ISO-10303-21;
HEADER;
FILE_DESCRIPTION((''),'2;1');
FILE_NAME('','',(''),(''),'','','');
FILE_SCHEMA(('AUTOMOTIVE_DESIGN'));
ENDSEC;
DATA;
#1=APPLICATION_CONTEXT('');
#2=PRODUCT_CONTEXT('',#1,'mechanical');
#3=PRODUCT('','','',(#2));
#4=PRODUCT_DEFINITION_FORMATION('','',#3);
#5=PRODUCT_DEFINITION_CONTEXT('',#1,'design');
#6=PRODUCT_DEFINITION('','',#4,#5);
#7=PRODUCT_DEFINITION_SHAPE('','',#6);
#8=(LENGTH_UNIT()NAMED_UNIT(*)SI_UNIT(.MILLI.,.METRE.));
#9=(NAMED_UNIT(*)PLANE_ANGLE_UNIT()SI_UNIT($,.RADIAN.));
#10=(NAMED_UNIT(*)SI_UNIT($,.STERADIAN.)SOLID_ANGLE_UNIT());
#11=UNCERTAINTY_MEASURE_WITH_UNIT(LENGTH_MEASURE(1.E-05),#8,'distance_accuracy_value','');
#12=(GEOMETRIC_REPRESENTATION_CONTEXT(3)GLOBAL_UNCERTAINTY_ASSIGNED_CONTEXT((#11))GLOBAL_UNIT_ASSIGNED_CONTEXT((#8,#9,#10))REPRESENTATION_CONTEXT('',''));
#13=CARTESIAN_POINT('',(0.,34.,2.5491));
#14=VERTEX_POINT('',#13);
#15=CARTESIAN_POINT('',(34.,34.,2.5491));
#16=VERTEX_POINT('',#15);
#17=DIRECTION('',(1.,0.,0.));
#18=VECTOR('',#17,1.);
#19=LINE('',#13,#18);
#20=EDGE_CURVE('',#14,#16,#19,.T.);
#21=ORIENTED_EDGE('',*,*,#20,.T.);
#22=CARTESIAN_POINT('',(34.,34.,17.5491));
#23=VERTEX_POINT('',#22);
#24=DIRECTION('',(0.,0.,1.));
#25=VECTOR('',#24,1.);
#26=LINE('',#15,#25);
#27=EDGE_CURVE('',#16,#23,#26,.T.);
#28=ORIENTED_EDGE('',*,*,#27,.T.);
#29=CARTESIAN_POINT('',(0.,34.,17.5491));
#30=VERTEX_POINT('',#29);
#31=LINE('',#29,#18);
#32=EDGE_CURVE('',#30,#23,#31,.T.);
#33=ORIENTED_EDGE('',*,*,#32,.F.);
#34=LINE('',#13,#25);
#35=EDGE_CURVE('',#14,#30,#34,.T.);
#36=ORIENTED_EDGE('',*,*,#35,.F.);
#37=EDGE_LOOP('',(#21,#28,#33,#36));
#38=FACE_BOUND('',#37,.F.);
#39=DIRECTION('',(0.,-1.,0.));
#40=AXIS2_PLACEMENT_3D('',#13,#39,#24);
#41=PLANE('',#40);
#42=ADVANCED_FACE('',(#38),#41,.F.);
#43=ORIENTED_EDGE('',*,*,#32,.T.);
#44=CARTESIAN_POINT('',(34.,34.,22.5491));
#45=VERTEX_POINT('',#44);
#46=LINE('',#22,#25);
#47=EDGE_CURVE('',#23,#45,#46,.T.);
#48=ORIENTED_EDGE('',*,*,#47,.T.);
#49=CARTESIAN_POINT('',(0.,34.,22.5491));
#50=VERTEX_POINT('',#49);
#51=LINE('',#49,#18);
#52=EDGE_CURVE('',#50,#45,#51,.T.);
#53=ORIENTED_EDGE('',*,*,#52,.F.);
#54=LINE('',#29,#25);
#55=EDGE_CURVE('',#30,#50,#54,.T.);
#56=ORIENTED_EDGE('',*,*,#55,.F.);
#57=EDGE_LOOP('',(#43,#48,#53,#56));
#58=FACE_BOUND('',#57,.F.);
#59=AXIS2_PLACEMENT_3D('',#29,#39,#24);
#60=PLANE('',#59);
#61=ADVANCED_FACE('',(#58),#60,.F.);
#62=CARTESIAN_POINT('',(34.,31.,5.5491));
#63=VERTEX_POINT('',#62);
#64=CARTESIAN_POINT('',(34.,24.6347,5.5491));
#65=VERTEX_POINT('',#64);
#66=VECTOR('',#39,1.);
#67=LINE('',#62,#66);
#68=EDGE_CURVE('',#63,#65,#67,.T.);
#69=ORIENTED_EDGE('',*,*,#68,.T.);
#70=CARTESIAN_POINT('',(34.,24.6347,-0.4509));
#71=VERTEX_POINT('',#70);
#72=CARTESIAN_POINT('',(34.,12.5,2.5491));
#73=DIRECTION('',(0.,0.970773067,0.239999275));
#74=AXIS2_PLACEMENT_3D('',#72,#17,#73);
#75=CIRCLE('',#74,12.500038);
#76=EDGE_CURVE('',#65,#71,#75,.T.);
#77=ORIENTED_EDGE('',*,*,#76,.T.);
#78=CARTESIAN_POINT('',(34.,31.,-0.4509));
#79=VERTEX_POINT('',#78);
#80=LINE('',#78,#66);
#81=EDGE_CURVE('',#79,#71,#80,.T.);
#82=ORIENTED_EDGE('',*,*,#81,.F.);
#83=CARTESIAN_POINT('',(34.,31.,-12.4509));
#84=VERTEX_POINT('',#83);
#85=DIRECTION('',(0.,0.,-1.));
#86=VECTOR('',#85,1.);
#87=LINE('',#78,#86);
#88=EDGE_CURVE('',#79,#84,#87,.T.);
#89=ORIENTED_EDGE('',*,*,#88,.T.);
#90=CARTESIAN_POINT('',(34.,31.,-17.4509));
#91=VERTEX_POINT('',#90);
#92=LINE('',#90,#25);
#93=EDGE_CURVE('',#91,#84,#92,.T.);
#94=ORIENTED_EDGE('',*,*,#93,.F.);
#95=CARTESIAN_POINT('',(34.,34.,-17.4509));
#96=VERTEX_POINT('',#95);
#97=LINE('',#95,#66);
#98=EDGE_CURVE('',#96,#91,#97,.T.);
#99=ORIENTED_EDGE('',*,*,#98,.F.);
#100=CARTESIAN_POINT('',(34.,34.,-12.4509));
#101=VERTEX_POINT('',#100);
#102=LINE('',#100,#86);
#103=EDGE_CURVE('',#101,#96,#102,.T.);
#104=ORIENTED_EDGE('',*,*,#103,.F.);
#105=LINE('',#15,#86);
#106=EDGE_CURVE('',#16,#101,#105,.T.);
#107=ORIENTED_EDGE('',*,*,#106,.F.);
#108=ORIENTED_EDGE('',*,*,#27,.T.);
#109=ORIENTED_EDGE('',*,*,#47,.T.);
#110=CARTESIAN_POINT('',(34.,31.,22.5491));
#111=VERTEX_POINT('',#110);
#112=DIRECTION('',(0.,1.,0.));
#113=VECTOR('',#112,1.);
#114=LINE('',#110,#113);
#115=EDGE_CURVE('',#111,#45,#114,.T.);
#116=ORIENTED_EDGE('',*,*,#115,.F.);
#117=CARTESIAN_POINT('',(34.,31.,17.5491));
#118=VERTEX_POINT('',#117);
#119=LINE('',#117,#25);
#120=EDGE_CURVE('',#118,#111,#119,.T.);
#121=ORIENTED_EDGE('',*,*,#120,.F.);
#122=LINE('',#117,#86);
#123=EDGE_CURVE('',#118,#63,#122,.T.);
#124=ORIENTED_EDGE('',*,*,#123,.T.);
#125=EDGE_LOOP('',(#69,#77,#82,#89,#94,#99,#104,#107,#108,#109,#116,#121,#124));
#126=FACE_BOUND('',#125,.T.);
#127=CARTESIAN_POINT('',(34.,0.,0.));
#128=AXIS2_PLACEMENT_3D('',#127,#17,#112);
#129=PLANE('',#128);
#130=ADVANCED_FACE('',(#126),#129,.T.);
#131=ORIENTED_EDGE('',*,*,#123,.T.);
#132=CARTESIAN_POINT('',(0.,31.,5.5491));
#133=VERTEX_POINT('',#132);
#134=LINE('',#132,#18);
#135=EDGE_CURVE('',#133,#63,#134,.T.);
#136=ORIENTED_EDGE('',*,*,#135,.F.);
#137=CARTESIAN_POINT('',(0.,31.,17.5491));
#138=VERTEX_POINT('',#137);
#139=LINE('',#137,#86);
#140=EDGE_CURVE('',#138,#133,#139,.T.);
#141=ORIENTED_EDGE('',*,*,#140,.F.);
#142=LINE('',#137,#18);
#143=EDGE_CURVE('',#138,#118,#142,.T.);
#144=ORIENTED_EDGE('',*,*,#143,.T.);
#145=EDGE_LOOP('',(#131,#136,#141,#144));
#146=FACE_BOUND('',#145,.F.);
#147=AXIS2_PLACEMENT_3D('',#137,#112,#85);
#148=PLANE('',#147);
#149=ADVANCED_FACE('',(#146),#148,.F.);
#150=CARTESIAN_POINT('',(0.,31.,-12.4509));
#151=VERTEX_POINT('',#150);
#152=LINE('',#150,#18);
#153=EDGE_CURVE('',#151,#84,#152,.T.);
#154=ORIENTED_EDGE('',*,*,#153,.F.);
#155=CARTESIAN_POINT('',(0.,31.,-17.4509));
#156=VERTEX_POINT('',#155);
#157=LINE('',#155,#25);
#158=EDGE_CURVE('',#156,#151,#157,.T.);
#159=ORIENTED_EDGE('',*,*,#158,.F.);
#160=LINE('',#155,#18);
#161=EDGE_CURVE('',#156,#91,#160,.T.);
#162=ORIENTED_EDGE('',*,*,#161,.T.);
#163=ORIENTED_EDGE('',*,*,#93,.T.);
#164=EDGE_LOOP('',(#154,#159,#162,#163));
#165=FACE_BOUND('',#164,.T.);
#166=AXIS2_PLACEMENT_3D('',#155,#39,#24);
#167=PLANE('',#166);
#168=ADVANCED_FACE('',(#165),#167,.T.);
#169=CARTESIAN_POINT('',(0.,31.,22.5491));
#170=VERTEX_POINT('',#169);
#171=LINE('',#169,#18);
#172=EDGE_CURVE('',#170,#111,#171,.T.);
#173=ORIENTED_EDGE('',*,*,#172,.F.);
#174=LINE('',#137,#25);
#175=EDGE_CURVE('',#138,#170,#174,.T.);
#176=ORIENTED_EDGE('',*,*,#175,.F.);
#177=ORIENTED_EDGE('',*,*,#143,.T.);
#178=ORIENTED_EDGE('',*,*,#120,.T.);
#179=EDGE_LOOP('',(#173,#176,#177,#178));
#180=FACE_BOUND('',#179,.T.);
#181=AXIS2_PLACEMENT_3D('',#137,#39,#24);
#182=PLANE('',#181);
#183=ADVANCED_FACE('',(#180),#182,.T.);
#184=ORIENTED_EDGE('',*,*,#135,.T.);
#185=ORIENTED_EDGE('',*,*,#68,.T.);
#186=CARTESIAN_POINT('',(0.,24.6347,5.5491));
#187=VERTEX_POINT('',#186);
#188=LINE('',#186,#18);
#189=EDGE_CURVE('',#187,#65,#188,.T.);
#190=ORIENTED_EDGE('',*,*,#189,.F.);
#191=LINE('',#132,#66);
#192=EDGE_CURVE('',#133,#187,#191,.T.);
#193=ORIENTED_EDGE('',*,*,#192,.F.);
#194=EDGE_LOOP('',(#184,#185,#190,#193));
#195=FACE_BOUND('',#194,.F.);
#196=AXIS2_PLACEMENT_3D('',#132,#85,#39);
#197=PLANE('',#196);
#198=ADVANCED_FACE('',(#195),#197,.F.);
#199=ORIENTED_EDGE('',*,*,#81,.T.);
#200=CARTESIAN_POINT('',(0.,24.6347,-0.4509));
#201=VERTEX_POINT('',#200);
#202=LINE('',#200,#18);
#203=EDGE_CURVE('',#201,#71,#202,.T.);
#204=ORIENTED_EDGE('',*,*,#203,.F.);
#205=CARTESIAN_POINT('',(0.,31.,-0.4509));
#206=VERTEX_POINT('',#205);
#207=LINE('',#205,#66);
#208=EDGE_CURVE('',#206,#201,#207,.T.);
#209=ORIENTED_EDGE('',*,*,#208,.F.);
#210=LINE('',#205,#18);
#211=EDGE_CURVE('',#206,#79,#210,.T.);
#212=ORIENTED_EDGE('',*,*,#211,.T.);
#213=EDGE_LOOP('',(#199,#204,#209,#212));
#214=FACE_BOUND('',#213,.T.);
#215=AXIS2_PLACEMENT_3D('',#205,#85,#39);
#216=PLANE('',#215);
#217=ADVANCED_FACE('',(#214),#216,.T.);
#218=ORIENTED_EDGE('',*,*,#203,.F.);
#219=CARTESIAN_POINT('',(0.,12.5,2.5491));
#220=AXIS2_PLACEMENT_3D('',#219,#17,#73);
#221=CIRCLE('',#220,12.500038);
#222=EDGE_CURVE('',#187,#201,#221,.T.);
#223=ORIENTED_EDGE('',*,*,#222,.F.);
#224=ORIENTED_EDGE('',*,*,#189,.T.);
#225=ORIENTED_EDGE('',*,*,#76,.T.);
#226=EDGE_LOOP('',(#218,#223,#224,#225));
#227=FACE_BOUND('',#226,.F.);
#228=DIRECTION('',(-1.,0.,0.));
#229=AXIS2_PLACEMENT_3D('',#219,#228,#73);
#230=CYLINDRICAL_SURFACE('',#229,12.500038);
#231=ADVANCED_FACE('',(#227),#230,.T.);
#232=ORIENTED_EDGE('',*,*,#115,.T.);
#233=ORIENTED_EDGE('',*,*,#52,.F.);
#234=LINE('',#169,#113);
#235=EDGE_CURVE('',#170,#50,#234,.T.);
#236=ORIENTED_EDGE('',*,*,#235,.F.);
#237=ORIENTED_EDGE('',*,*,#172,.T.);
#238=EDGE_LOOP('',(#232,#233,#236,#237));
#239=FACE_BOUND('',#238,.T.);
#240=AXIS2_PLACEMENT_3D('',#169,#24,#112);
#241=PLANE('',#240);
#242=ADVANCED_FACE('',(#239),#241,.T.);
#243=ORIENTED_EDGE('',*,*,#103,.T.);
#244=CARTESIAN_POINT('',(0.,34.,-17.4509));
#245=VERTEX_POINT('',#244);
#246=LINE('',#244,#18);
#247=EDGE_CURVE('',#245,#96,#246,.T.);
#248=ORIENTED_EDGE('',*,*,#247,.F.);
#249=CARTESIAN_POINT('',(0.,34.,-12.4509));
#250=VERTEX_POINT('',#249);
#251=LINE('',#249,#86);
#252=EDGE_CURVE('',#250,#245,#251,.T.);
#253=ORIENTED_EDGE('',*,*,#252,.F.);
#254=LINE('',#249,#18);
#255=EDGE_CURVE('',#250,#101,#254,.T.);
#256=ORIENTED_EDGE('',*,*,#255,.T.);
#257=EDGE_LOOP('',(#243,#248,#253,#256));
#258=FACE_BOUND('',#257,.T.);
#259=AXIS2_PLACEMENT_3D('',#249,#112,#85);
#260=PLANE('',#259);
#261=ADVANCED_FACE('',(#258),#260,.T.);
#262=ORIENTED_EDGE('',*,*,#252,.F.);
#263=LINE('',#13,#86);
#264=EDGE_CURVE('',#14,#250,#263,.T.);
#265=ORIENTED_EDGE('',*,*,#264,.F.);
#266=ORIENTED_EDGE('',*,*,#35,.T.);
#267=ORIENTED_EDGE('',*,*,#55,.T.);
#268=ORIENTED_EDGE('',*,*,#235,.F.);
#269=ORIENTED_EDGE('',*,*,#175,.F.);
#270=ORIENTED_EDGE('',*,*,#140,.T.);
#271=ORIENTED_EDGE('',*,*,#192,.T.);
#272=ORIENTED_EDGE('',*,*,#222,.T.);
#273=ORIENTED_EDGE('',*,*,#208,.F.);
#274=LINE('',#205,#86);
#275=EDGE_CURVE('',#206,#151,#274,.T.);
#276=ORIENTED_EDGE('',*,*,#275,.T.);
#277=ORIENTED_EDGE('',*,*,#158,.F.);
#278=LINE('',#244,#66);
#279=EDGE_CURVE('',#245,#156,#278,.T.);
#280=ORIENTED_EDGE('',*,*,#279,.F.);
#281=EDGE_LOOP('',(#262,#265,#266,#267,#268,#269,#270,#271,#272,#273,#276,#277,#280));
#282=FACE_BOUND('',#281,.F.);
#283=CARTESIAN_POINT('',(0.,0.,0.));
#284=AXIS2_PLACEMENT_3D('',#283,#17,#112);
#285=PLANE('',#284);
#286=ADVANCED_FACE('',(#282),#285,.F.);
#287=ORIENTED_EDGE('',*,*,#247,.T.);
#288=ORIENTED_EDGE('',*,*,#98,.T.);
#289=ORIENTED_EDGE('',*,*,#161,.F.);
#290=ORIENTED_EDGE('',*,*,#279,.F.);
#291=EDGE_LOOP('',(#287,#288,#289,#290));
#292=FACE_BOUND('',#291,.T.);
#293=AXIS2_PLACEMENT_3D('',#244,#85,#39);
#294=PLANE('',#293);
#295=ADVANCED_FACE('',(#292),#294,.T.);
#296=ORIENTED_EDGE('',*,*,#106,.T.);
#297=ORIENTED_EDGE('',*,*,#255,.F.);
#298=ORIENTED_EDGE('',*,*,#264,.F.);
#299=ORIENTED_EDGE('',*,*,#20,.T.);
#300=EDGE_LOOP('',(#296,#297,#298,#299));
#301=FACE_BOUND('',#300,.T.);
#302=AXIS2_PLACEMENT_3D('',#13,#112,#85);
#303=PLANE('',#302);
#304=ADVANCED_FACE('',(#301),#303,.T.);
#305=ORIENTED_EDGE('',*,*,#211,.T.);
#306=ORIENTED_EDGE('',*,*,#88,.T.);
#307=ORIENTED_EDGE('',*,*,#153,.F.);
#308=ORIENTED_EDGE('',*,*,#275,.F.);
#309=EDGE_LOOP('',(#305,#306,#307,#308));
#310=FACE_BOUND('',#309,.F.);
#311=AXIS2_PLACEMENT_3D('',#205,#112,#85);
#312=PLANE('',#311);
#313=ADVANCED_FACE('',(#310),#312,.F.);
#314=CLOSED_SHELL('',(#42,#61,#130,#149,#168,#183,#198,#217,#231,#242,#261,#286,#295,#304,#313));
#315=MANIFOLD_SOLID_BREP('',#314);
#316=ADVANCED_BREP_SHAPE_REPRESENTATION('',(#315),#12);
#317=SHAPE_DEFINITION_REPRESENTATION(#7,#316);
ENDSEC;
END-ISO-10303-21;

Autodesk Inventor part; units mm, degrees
ref_plane "YZ Plane" through (0, 0, 0) normal (1, 0, 0) x (0, 1, 0)
ref_plane "XZ Plane" through (0, 0, 0) normal (0, 1, 0) x (-1, 0, 0)
ref_plane "XY Plane" through (0, 0, 0) normal (0, 0, 1) x (1, 0, 0)
sketch "Esboço1" plane through (0, 0, 0) normal (1, 0, 0) x (0, 1, 0)
  arc A0 (24.6347, 5.5491) -> (24.6347, -0.4509) centre (12.5, 2.5491) ccw
  line L0 (34, 2.5491) -> (34, 17.5491)
  line L1 (34, 2.5491) -> (34, -12.4509)
  line L2 (31, 5.5491) -> (24.6347, 5.5491)
  line L3 (31, -0.4509) -> (24.6347, -0.4509)
  line L4 (31, 17.5491) -> (31, 5.5491)
  line L5 (31, -0.4509) -> (31, -12.4509)
  line L6 (34, 17.5491) -> (34, 22.5491)
  line L7 (31, 17.5491) -> (31, 22.5491)
  line L8 (31, 22.5491) -> (34, 22.5491)
  line L9 (34, -12.4509) -> (34, -17.4509)
  line L10 (34, -17.4509) -> (31, -17.4509)
  line L11 (31, -17.4509) -> (31, -12.4509)
  point P0 (0, 0)
  dimension "d2" = 25
  dimension "d4" = 15
  dimension "d7" = 3
  dimension "d10" = 5
  dimension "d11" = 5
extrude "Extrusão2" add sketch "Esboço1" along normal blind 34
properties part number "boba"
